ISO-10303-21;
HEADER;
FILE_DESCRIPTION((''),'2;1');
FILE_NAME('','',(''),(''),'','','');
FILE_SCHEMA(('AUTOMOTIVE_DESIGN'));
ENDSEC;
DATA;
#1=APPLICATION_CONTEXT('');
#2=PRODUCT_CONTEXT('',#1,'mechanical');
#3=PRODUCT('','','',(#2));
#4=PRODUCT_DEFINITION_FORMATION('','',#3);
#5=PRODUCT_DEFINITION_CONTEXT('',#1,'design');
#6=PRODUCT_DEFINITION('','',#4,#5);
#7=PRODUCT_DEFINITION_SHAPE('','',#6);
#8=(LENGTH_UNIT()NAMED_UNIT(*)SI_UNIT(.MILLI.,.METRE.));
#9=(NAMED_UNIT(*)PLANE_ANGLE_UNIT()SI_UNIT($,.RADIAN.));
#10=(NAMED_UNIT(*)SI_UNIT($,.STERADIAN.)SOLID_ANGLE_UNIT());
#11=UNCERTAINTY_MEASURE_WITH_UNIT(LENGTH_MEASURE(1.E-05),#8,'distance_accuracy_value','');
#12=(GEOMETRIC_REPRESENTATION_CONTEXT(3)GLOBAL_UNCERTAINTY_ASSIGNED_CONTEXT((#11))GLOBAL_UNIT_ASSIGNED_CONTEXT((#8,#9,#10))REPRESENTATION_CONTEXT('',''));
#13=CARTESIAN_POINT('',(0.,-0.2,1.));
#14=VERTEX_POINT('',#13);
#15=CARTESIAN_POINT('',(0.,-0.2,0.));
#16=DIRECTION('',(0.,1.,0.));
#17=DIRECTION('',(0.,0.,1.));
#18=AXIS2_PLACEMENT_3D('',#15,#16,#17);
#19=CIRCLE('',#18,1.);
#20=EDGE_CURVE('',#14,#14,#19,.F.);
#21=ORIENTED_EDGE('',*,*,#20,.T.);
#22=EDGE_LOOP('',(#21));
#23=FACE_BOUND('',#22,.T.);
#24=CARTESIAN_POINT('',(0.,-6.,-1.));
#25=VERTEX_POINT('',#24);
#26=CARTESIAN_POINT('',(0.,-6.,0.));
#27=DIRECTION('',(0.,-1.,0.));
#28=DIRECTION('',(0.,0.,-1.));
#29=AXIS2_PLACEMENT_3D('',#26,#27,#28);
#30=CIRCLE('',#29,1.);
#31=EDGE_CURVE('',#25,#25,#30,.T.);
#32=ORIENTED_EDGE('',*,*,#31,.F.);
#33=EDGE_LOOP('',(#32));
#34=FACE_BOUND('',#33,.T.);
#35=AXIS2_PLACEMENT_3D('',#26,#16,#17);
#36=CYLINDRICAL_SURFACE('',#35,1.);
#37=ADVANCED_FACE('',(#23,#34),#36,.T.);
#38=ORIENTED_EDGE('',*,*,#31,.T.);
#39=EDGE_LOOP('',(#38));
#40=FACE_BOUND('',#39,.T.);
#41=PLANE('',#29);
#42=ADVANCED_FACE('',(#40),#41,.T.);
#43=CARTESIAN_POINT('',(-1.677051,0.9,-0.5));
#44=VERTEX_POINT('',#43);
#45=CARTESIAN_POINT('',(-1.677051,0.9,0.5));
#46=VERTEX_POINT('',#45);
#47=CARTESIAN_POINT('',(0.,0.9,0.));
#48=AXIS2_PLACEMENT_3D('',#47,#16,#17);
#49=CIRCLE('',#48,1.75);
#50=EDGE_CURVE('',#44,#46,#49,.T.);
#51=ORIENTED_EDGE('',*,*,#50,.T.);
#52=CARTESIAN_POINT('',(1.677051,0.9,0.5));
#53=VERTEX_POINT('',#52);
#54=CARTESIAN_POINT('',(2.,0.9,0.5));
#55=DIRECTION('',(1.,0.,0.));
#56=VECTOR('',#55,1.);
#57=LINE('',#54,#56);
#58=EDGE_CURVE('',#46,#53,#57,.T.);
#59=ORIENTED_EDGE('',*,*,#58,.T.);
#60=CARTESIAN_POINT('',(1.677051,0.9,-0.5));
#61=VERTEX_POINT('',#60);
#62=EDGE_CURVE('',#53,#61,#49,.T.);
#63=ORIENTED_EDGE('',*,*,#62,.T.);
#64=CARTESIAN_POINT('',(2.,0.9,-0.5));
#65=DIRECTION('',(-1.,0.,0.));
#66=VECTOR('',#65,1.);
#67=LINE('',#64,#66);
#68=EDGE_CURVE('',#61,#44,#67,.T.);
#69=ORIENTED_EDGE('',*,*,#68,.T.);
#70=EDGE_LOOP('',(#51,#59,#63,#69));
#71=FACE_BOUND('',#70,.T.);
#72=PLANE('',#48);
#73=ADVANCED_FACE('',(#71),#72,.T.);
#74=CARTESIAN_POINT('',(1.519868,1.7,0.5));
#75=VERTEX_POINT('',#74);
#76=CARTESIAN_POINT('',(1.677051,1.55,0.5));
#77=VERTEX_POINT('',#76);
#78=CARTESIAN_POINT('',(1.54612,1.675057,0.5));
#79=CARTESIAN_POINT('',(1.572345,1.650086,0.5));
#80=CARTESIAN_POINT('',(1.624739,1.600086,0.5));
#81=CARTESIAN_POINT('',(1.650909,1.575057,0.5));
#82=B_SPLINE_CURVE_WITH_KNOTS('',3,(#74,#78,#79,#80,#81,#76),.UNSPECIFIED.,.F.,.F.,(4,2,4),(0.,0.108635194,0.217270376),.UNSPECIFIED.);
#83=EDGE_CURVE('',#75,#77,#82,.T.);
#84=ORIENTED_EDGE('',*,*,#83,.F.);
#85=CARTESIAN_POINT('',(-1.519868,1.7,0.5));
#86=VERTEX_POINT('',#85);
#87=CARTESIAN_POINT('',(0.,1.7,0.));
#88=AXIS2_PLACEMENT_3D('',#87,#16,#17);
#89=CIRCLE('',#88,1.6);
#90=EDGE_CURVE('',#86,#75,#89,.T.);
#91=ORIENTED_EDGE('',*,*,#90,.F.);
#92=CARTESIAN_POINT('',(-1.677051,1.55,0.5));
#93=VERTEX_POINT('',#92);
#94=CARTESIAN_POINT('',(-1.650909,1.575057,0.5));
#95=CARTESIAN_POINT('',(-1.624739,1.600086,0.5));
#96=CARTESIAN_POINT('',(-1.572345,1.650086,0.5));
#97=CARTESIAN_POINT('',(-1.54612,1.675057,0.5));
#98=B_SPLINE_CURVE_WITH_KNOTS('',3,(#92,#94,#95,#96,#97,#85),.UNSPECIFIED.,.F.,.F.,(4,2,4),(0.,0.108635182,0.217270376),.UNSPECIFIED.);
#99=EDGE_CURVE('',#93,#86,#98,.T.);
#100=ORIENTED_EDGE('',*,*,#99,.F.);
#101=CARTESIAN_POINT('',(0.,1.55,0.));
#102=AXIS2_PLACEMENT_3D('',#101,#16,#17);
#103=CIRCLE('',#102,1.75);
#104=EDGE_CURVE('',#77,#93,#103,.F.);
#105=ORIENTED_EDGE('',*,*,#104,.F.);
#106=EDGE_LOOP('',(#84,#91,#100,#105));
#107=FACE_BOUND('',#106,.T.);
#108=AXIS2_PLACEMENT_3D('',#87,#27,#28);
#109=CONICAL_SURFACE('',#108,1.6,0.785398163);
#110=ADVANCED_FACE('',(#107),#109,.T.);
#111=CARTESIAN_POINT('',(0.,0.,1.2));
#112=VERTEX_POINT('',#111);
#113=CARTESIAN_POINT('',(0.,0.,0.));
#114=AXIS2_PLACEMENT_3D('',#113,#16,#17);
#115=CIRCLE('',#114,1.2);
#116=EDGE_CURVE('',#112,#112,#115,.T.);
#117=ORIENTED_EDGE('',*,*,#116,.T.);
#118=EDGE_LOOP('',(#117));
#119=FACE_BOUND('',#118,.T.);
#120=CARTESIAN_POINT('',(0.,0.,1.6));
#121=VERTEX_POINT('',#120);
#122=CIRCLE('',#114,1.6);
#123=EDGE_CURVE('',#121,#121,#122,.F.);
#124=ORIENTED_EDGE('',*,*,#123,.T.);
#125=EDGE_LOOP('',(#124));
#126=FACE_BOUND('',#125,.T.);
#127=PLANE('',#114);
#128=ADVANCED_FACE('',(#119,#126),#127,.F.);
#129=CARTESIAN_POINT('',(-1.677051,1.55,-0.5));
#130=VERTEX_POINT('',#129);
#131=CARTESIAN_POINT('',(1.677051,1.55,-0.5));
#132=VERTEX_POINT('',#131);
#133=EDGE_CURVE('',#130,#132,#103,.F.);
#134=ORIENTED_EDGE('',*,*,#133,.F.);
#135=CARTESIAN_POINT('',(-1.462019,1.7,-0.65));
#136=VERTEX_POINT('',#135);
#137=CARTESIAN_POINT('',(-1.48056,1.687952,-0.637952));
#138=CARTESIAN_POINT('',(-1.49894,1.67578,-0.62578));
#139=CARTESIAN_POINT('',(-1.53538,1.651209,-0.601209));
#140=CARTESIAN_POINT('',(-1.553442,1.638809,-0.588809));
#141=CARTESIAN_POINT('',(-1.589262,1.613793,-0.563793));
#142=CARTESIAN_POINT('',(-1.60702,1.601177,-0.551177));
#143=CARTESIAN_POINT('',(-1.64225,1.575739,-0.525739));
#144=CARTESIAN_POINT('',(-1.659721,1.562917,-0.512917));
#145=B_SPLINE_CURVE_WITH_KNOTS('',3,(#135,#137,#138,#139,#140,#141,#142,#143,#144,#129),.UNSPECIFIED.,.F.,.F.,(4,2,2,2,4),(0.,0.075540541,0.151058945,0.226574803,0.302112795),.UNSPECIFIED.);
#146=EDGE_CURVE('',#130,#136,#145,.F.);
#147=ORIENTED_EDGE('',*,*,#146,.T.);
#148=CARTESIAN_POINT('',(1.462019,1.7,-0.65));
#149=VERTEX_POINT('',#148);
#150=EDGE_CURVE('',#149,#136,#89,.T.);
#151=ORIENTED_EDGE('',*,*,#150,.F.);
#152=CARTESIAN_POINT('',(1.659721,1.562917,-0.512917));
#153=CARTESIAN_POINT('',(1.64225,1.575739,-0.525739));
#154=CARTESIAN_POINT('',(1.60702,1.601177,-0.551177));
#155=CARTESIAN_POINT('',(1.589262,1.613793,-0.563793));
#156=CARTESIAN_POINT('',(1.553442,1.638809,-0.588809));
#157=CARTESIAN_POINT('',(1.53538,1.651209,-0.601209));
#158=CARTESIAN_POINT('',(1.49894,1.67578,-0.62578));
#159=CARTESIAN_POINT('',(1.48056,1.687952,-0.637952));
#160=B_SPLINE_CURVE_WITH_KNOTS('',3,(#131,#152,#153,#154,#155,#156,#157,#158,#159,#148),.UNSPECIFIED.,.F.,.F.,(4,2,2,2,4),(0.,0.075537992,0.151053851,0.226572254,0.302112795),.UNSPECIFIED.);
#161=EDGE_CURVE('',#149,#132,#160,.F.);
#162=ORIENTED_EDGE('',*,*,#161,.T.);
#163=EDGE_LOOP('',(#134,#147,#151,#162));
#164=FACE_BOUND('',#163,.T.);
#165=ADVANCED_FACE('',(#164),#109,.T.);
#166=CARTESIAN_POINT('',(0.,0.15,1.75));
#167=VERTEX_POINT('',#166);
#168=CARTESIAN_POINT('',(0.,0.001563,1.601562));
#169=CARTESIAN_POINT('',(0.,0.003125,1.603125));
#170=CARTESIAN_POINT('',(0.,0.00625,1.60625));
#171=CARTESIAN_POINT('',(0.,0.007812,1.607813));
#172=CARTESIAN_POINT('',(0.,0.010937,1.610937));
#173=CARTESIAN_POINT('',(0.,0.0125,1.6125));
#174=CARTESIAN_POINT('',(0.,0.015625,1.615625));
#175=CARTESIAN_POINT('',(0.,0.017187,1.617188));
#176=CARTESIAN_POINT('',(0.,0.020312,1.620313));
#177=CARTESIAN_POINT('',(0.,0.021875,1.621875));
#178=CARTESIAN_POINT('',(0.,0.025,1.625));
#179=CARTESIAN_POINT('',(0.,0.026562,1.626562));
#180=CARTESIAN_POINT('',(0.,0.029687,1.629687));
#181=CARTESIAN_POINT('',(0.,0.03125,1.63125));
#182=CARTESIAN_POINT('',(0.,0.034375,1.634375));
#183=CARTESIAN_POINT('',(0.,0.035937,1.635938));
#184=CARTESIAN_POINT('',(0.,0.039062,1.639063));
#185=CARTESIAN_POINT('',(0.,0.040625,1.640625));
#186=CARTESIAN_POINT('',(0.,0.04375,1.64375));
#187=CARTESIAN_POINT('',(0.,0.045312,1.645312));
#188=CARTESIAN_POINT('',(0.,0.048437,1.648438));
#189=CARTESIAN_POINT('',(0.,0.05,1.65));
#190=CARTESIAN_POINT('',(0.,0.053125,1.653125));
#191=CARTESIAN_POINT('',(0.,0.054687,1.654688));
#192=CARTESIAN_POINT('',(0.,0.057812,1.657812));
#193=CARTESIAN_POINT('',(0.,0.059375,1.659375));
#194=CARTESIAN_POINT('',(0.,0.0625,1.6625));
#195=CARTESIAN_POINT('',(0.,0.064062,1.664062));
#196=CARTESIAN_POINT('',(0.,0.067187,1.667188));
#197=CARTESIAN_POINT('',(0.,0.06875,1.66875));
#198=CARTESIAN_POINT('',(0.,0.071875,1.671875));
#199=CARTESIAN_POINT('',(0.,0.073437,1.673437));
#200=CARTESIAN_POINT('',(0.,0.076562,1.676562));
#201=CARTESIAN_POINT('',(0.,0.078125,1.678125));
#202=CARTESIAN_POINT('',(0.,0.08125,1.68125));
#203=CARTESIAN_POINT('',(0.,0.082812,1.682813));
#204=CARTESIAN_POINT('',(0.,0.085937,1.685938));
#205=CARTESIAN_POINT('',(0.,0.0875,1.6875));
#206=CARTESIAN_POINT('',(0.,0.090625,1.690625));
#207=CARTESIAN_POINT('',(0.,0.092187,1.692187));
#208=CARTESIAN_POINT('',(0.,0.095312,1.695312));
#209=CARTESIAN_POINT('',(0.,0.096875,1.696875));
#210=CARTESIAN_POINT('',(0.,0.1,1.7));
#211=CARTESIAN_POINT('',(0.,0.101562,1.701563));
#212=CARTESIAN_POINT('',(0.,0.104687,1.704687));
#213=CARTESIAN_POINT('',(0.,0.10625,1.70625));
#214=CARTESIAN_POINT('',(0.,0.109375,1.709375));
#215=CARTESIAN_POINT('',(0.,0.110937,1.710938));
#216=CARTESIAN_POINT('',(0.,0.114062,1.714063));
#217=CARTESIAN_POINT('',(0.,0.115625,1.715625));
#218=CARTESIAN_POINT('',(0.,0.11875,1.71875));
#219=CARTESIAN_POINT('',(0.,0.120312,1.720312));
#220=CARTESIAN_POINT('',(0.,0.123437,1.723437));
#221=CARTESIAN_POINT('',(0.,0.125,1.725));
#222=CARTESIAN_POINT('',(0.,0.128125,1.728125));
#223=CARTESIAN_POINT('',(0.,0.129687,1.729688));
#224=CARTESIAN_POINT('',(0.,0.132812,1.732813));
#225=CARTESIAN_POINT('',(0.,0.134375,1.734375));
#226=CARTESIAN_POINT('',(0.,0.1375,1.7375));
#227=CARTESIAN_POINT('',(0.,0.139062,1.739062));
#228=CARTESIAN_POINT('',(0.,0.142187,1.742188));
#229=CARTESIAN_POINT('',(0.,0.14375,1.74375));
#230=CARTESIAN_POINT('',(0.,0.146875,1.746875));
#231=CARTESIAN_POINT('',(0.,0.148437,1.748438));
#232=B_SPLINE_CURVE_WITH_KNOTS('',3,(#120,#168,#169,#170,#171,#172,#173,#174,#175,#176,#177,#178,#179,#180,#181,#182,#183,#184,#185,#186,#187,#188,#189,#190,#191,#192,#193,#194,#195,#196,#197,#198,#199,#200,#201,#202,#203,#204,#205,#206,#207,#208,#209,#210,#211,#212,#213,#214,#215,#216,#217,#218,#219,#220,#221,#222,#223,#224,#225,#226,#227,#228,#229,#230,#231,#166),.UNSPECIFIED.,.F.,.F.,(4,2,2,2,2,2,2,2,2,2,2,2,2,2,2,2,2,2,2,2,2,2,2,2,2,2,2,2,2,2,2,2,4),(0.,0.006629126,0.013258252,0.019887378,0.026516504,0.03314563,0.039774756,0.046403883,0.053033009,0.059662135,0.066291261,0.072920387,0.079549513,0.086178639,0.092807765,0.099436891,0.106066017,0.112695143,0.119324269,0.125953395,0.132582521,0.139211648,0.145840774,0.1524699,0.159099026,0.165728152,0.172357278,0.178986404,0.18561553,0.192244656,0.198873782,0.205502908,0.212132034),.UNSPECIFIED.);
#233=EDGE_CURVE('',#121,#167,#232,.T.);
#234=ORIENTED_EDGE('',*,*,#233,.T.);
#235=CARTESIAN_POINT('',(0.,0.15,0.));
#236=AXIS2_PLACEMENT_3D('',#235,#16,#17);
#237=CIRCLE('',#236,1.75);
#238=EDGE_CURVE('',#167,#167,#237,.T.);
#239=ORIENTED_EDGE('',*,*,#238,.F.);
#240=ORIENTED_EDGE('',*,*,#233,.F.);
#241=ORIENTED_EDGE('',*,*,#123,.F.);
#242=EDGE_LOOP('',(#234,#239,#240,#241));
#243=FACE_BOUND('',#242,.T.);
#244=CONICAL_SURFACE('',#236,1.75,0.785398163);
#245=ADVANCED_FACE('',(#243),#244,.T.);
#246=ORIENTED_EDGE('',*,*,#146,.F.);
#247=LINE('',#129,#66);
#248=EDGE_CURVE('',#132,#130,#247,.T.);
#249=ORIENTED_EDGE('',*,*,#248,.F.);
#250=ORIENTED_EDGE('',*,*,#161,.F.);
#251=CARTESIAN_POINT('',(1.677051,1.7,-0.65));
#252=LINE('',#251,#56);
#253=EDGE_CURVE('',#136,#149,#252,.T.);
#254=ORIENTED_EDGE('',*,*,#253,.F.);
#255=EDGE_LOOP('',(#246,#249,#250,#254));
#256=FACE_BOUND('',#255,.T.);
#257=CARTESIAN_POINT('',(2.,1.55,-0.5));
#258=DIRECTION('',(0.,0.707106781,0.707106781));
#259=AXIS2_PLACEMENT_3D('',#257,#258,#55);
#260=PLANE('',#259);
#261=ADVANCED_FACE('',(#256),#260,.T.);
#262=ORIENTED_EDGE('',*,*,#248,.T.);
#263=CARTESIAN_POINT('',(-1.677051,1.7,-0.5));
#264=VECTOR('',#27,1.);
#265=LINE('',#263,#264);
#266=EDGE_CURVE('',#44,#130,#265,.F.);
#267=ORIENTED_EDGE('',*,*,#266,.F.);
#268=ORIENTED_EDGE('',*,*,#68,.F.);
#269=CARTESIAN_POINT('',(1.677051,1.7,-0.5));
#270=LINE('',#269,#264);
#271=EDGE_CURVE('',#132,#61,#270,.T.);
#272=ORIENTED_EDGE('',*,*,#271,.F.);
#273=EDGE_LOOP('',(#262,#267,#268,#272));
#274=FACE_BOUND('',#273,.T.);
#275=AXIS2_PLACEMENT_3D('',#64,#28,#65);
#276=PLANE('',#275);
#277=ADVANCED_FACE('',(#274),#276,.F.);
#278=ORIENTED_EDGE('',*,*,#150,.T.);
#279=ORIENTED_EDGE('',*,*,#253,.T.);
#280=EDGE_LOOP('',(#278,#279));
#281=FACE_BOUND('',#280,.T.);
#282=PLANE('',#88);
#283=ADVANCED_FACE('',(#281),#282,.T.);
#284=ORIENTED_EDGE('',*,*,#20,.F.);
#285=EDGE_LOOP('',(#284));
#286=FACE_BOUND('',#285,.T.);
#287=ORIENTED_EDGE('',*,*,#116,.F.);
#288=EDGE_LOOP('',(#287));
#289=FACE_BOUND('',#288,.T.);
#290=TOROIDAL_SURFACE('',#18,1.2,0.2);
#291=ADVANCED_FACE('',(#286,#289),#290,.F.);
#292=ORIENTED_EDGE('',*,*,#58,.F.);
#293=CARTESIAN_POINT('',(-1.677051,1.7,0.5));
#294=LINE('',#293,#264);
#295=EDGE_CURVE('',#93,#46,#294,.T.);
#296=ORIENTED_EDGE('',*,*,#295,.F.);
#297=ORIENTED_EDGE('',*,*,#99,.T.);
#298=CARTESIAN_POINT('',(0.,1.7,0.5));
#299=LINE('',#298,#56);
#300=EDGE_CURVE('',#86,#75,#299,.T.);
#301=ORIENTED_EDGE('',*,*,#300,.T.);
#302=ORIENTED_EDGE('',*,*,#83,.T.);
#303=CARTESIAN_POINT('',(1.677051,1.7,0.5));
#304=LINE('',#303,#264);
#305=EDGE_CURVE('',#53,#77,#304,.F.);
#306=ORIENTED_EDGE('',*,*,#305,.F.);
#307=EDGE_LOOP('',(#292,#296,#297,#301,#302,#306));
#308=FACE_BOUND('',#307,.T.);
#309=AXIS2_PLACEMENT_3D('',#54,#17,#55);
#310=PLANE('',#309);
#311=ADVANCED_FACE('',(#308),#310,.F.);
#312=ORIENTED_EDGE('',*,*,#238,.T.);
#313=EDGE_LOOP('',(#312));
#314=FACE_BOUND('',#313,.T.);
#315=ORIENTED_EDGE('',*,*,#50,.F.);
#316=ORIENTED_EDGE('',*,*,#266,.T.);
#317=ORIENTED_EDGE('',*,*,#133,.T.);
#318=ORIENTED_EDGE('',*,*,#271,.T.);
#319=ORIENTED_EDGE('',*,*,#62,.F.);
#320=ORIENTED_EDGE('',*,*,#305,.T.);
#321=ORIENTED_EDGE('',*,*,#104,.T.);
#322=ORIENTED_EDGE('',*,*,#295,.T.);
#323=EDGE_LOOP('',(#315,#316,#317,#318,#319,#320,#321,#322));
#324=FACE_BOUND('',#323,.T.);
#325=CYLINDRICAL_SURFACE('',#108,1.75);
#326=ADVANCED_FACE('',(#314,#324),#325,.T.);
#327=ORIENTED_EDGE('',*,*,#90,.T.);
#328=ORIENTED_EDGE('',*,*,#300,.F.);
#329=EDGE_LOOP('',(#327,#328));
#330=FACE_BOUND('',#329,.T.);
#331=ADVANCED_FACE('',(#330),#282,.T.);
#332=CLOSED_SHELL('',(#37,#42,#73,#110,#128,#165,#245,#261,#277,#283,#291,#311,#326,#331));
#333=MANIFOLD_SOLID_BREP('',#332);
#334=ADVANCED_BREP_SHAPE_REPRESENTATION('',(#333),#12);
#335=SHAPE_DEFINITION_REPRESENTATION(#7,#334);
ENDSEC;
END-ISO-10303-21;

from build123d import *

# Parameters (mm, degrees)
SKETCH1_R           = 1.75
BOSS_EXTRUDE1_DEPTH = 1.7
SKETCH2_R           = 1
BOSS_EXTRUDE2_DEPTH = 6
SKETCH4_W           = 4
SKETCH4_H           = 1
CUT_EXTRUDE1_DEPTH  = 0.8
CHAMFER1_SIZE       = 0.15
FILLET1_R           = 0.2


with BuildPart() as part:
    # Sketch1 → Boss-Extrude1 (new body)
    with BuildSketch(Plane(origin=(0, 0, 0), x_dir=(1, 0, 0), z_dir=(0, 1, 0))):
        with Locations(Location((0, 0, 0), (0, 0, 270))):
            Circle(SKETCH1_R)
    extrude(amount=BOSS_EXTRUDE1_DEPTH)

    # Sketch2 → Boss-Extrude2 (add)
    with BuildSketch(Plane.XZ):
        with Locations(Location((0, 0, 0), (0, 0, 270))):
            Circle(SKETCH2_R)
    extrude(amount=BOSS_EXTRUDE2_DEPTH)

    # Sketch4 → Cut-Extrude1 (cut)
    with BuildSketch(Plane(origin=(0, 1.7, 0), x_dir=(1, 0, 0), z_dir=(0, 1, 0))):
        Rectangle(SKETCH4_W, SKETCH4_H)
    extrude(amount=-CUT_EXTRUDE1_DEPTH, mode=Mode.SUBTRACT)

    # Chamfer1
    chamfer1_edges = [part.edges().sort_by_distance(p)[0] for p in [
        (1.045825033, 1.7, 1.40312152),
        (0, 1.7, -0.5),
        (0, 0, -1.75),
        (0, 1.7, -1.75),
    ]]
    chamfer(chamfer1_edges, length=CHAMFER1_SIZE)

    # Fillet1
    fillet1_edges = [part.edges().sort_by_distance(p)[0] for p in [
        (0, 0, 1),
    ]]
    fillet(fillet1_edges, radius=FILLET1_R)


solid = part.part
